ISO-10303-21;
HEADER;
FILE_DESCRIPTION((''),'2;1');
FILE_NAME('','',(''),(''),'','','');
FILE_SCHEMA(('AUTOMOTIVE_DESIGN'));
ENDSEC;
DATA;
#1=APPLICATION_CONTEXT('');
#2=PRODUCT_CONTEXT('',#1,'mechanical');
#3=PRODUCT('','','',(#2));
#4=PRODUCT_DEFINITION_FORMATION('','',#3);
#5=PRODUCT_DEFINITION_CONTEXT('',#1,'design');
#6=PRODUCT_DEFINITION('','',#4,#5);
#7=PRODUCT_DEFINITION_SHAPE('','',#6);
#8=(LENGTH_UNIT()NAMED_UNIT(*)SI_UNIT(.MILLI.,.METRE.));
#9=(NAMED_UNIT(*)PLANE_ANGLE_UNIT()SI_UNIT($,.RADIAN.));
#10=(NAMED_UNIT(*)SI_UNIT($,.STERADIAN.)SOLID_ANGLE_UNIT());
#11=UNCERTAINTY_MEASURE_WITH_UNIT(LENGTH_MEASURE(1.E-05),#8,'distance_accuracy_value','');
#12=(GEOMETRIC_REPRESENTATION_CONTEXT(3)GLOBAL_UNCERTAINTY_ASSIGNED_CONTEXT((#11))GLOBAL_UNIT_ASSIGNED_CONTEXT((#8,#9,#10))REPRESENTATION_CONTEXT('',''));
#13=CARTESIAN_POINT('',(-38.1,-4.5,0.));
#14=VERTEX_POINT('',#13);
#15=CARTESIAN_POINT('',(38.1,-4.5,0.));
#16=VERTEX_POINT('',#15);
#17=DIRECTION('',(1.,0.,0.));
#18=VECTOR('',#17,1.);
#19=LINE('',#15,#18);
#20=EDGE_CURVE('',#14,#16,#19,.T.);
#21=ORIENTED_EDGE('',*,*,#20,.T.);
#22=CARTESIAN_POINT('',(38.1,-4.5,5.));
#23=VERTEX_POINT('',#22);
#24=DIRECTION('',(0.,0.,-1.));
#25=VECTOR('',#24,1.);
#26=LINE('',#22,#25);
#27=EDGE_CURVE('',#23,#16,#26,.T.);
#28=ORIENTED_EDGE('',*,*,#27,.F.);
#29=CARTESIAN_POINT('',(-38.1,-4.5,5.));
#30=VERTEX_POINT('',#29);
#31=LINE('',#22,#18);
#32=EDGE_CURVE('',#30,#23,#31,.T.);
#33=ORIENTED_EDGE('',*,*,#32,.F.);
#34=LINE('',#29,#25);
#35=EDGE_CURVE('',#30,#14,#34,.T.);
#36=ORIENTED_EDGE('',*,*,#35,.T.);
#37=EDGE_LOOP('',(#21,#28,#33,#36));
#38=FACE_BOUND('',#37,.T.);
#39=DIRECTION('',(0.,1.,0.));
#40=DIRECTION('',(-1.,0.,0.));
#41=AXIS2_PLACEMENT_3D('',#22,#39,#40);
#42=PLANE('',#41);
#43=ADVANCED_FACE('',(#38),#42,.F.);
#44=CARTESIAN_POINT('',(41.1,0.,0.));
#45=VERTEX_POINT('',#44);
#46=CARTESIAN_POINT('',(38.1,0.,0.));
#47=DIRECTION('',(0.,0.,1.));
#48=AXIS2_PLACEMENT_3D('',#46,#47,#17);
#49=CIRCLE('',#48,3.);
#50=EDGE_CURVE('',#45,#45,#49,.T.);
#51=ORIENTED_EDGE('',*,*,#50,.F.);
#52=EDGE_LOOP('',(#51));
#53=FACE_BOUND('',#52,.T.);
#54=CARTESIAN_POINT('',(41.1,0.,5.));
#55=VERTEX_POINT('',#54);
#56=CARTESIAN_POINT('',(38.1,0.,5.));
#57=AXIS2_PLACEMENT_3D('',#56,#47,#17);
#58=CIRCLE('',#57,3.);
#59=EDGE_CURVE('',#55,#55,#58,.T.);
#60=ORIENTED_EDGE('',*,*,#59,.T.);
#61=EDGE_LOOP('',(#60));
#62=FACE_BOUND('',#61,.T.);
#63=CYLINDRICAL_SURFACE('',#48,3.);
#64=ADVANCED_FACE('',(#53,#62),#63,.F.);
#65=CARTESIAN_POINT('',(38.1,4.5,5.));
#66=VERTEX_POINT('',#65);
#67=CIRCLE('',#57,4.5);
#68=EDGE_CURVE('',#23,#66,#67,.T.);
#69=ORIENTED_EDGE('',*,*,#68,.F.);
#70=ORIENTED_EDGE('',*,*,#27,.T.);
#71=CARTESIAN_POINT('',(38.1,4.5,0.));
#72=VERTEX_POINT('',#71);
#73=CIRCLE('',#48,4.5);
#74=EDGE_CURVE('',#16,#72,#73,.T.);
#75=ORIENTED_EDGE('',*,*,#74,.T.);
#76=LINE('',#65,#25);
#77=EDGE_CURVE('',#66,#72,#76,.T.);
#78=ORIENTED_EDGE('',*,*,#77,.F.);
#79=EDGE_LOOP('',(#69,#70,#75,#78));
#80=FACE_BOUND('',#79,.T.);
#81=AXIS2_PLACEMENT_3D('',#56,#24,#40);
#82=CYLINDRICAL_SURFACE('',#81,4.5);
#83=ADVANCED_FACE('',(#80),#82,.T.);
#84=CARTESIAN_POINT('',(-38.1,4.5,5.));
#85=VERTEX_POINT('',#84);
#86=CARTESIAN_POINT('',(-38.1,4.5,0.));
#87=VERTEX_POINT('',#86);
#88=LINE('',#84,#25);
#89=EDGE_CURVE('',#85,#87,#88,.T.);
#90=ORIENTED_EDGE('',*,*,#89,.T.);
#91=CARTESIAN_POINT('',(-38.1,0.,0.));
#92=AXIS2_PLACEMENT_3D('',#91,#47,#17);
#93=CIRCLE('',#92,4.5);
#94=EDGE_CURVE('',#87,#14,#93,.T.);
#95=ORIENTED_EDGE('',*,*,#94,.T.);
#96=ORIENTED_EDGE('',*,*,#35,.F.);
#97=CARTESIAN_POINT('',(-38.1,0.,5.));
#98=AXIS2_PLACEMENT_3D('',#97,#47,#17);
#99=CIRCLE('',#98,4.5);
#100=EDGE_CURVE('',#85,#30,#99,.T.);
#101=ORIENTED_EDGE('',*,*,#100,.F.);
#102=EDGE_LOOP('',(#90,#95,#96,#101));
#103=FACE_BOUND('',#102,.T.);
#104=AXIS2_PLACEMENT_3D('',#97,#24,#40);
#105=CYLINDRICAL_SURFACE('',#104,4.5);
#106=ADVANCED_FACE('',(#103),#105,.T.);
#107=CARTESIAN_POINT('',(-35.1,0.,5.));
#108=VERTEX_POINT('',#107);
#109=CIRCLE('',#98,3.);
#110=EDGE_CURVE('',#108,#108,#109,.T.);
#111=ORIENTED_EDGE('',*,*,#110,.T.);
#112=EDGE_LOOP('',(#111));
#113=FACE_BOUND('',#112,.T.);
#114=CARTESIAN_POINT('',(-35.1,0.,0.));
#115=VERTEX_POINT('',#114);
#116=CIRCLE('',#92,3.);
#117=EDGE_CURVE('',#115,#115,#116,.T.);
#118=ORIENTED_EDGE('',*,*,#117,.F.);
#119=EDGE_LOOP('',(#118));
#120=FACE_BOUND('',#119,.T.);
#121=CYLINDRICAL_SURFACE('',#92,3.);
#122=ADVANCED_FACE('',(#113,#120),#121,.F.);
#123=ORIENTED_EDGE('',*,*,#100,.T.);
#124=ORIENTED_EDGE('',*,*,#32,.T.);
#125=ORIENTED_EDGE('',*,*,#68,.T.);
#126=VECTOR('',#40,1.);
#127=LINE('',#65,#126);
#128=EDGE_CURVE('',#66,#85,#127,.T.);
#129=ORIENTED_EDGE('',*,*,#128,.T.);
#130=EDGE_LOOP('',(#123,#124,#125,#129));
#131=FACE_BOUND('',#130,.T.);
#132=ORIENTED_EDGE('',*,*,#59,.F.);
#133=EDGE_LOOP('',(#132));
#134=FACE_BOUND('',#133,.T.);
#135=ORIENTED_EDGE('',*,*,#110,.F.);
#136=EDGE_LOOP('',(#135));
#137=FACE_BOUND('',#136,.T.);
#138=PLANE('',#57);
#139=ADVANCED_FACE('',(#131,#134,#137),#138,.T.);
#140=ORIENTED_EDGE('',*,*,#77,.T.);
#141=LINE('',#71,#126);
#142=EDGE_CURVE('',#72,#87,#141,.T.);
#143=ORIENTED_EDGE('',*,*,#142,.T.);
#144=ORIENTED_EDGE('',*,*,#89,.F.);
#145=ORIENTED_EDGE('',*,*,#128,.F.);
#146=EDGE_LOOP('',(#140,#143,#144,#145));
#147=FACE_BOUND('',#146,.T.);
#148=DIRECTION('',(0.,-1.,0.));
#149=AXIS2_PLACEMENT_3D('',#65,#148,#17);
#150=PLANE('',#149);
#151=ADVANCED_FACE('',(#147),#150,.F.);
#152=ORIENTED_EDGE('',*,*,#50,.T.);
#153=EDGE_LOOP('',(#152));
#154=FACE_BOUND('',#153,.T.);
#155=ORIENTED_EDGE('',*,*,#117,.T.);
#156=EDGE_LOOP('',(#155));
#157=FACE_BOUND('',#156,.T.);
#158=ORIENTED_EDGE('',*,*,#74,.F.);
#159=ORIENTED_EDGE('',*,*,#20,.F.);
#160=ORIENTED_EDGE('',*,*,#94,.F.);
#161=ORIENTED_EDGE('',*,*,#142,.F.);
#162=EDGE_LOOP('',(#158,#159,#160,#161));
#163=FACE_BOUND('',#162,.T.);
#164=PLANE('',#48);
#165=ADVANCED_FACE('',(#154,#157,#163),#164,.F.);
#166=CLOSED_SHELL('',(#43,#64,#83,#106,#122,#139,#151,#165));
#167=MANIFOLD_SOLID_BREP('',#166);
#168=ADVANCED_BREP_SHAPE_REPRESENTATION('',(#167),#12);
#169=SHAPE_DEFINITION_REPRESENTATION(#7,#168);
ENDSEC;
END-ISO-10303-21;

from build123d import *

# Parameters (mm, degrees)
BOSS_EXTRUDE2_DEPTH = 5
SKETCH2_R           = 3
CUT_EXTRUDE1_DEPTH  = 44.12783324


with BuildPart() as part:
    # Sketch1 → Boss-Extrude2 (new body)
    with BuildSketch(Plane.XY):
        with BuildLine():
            Line((38.1, -4.5), (-38.1, -4.5))
            ThreePointArc((-38.1, -4.5), (-42.6, 0), (-38.1, 4.5))
            Line((-38.1, 4.5), (38.1, 4.5))
            ThreePointArc((38.1, 4.5), (42.6, 0), (38.1, -4.5))
        make_face()
    extrude(amount=BOSS_EXTRUDE2_DEPTH)

    # Sketch2 → Cut-Extrude1 (cut, through all)
    with BuildSketch(Plane.XY.offset(5)):
        with Locations((-38.1, 0)):
            Circle(SKETCH2_R)
        with Locations((38.1, 0)):
            Circle(SKETCH2_R)
    extrude(amount=-CUT_EXTRUDE1_DEPTH, mode=Mode.SUBTRACT)


solid = part.part
